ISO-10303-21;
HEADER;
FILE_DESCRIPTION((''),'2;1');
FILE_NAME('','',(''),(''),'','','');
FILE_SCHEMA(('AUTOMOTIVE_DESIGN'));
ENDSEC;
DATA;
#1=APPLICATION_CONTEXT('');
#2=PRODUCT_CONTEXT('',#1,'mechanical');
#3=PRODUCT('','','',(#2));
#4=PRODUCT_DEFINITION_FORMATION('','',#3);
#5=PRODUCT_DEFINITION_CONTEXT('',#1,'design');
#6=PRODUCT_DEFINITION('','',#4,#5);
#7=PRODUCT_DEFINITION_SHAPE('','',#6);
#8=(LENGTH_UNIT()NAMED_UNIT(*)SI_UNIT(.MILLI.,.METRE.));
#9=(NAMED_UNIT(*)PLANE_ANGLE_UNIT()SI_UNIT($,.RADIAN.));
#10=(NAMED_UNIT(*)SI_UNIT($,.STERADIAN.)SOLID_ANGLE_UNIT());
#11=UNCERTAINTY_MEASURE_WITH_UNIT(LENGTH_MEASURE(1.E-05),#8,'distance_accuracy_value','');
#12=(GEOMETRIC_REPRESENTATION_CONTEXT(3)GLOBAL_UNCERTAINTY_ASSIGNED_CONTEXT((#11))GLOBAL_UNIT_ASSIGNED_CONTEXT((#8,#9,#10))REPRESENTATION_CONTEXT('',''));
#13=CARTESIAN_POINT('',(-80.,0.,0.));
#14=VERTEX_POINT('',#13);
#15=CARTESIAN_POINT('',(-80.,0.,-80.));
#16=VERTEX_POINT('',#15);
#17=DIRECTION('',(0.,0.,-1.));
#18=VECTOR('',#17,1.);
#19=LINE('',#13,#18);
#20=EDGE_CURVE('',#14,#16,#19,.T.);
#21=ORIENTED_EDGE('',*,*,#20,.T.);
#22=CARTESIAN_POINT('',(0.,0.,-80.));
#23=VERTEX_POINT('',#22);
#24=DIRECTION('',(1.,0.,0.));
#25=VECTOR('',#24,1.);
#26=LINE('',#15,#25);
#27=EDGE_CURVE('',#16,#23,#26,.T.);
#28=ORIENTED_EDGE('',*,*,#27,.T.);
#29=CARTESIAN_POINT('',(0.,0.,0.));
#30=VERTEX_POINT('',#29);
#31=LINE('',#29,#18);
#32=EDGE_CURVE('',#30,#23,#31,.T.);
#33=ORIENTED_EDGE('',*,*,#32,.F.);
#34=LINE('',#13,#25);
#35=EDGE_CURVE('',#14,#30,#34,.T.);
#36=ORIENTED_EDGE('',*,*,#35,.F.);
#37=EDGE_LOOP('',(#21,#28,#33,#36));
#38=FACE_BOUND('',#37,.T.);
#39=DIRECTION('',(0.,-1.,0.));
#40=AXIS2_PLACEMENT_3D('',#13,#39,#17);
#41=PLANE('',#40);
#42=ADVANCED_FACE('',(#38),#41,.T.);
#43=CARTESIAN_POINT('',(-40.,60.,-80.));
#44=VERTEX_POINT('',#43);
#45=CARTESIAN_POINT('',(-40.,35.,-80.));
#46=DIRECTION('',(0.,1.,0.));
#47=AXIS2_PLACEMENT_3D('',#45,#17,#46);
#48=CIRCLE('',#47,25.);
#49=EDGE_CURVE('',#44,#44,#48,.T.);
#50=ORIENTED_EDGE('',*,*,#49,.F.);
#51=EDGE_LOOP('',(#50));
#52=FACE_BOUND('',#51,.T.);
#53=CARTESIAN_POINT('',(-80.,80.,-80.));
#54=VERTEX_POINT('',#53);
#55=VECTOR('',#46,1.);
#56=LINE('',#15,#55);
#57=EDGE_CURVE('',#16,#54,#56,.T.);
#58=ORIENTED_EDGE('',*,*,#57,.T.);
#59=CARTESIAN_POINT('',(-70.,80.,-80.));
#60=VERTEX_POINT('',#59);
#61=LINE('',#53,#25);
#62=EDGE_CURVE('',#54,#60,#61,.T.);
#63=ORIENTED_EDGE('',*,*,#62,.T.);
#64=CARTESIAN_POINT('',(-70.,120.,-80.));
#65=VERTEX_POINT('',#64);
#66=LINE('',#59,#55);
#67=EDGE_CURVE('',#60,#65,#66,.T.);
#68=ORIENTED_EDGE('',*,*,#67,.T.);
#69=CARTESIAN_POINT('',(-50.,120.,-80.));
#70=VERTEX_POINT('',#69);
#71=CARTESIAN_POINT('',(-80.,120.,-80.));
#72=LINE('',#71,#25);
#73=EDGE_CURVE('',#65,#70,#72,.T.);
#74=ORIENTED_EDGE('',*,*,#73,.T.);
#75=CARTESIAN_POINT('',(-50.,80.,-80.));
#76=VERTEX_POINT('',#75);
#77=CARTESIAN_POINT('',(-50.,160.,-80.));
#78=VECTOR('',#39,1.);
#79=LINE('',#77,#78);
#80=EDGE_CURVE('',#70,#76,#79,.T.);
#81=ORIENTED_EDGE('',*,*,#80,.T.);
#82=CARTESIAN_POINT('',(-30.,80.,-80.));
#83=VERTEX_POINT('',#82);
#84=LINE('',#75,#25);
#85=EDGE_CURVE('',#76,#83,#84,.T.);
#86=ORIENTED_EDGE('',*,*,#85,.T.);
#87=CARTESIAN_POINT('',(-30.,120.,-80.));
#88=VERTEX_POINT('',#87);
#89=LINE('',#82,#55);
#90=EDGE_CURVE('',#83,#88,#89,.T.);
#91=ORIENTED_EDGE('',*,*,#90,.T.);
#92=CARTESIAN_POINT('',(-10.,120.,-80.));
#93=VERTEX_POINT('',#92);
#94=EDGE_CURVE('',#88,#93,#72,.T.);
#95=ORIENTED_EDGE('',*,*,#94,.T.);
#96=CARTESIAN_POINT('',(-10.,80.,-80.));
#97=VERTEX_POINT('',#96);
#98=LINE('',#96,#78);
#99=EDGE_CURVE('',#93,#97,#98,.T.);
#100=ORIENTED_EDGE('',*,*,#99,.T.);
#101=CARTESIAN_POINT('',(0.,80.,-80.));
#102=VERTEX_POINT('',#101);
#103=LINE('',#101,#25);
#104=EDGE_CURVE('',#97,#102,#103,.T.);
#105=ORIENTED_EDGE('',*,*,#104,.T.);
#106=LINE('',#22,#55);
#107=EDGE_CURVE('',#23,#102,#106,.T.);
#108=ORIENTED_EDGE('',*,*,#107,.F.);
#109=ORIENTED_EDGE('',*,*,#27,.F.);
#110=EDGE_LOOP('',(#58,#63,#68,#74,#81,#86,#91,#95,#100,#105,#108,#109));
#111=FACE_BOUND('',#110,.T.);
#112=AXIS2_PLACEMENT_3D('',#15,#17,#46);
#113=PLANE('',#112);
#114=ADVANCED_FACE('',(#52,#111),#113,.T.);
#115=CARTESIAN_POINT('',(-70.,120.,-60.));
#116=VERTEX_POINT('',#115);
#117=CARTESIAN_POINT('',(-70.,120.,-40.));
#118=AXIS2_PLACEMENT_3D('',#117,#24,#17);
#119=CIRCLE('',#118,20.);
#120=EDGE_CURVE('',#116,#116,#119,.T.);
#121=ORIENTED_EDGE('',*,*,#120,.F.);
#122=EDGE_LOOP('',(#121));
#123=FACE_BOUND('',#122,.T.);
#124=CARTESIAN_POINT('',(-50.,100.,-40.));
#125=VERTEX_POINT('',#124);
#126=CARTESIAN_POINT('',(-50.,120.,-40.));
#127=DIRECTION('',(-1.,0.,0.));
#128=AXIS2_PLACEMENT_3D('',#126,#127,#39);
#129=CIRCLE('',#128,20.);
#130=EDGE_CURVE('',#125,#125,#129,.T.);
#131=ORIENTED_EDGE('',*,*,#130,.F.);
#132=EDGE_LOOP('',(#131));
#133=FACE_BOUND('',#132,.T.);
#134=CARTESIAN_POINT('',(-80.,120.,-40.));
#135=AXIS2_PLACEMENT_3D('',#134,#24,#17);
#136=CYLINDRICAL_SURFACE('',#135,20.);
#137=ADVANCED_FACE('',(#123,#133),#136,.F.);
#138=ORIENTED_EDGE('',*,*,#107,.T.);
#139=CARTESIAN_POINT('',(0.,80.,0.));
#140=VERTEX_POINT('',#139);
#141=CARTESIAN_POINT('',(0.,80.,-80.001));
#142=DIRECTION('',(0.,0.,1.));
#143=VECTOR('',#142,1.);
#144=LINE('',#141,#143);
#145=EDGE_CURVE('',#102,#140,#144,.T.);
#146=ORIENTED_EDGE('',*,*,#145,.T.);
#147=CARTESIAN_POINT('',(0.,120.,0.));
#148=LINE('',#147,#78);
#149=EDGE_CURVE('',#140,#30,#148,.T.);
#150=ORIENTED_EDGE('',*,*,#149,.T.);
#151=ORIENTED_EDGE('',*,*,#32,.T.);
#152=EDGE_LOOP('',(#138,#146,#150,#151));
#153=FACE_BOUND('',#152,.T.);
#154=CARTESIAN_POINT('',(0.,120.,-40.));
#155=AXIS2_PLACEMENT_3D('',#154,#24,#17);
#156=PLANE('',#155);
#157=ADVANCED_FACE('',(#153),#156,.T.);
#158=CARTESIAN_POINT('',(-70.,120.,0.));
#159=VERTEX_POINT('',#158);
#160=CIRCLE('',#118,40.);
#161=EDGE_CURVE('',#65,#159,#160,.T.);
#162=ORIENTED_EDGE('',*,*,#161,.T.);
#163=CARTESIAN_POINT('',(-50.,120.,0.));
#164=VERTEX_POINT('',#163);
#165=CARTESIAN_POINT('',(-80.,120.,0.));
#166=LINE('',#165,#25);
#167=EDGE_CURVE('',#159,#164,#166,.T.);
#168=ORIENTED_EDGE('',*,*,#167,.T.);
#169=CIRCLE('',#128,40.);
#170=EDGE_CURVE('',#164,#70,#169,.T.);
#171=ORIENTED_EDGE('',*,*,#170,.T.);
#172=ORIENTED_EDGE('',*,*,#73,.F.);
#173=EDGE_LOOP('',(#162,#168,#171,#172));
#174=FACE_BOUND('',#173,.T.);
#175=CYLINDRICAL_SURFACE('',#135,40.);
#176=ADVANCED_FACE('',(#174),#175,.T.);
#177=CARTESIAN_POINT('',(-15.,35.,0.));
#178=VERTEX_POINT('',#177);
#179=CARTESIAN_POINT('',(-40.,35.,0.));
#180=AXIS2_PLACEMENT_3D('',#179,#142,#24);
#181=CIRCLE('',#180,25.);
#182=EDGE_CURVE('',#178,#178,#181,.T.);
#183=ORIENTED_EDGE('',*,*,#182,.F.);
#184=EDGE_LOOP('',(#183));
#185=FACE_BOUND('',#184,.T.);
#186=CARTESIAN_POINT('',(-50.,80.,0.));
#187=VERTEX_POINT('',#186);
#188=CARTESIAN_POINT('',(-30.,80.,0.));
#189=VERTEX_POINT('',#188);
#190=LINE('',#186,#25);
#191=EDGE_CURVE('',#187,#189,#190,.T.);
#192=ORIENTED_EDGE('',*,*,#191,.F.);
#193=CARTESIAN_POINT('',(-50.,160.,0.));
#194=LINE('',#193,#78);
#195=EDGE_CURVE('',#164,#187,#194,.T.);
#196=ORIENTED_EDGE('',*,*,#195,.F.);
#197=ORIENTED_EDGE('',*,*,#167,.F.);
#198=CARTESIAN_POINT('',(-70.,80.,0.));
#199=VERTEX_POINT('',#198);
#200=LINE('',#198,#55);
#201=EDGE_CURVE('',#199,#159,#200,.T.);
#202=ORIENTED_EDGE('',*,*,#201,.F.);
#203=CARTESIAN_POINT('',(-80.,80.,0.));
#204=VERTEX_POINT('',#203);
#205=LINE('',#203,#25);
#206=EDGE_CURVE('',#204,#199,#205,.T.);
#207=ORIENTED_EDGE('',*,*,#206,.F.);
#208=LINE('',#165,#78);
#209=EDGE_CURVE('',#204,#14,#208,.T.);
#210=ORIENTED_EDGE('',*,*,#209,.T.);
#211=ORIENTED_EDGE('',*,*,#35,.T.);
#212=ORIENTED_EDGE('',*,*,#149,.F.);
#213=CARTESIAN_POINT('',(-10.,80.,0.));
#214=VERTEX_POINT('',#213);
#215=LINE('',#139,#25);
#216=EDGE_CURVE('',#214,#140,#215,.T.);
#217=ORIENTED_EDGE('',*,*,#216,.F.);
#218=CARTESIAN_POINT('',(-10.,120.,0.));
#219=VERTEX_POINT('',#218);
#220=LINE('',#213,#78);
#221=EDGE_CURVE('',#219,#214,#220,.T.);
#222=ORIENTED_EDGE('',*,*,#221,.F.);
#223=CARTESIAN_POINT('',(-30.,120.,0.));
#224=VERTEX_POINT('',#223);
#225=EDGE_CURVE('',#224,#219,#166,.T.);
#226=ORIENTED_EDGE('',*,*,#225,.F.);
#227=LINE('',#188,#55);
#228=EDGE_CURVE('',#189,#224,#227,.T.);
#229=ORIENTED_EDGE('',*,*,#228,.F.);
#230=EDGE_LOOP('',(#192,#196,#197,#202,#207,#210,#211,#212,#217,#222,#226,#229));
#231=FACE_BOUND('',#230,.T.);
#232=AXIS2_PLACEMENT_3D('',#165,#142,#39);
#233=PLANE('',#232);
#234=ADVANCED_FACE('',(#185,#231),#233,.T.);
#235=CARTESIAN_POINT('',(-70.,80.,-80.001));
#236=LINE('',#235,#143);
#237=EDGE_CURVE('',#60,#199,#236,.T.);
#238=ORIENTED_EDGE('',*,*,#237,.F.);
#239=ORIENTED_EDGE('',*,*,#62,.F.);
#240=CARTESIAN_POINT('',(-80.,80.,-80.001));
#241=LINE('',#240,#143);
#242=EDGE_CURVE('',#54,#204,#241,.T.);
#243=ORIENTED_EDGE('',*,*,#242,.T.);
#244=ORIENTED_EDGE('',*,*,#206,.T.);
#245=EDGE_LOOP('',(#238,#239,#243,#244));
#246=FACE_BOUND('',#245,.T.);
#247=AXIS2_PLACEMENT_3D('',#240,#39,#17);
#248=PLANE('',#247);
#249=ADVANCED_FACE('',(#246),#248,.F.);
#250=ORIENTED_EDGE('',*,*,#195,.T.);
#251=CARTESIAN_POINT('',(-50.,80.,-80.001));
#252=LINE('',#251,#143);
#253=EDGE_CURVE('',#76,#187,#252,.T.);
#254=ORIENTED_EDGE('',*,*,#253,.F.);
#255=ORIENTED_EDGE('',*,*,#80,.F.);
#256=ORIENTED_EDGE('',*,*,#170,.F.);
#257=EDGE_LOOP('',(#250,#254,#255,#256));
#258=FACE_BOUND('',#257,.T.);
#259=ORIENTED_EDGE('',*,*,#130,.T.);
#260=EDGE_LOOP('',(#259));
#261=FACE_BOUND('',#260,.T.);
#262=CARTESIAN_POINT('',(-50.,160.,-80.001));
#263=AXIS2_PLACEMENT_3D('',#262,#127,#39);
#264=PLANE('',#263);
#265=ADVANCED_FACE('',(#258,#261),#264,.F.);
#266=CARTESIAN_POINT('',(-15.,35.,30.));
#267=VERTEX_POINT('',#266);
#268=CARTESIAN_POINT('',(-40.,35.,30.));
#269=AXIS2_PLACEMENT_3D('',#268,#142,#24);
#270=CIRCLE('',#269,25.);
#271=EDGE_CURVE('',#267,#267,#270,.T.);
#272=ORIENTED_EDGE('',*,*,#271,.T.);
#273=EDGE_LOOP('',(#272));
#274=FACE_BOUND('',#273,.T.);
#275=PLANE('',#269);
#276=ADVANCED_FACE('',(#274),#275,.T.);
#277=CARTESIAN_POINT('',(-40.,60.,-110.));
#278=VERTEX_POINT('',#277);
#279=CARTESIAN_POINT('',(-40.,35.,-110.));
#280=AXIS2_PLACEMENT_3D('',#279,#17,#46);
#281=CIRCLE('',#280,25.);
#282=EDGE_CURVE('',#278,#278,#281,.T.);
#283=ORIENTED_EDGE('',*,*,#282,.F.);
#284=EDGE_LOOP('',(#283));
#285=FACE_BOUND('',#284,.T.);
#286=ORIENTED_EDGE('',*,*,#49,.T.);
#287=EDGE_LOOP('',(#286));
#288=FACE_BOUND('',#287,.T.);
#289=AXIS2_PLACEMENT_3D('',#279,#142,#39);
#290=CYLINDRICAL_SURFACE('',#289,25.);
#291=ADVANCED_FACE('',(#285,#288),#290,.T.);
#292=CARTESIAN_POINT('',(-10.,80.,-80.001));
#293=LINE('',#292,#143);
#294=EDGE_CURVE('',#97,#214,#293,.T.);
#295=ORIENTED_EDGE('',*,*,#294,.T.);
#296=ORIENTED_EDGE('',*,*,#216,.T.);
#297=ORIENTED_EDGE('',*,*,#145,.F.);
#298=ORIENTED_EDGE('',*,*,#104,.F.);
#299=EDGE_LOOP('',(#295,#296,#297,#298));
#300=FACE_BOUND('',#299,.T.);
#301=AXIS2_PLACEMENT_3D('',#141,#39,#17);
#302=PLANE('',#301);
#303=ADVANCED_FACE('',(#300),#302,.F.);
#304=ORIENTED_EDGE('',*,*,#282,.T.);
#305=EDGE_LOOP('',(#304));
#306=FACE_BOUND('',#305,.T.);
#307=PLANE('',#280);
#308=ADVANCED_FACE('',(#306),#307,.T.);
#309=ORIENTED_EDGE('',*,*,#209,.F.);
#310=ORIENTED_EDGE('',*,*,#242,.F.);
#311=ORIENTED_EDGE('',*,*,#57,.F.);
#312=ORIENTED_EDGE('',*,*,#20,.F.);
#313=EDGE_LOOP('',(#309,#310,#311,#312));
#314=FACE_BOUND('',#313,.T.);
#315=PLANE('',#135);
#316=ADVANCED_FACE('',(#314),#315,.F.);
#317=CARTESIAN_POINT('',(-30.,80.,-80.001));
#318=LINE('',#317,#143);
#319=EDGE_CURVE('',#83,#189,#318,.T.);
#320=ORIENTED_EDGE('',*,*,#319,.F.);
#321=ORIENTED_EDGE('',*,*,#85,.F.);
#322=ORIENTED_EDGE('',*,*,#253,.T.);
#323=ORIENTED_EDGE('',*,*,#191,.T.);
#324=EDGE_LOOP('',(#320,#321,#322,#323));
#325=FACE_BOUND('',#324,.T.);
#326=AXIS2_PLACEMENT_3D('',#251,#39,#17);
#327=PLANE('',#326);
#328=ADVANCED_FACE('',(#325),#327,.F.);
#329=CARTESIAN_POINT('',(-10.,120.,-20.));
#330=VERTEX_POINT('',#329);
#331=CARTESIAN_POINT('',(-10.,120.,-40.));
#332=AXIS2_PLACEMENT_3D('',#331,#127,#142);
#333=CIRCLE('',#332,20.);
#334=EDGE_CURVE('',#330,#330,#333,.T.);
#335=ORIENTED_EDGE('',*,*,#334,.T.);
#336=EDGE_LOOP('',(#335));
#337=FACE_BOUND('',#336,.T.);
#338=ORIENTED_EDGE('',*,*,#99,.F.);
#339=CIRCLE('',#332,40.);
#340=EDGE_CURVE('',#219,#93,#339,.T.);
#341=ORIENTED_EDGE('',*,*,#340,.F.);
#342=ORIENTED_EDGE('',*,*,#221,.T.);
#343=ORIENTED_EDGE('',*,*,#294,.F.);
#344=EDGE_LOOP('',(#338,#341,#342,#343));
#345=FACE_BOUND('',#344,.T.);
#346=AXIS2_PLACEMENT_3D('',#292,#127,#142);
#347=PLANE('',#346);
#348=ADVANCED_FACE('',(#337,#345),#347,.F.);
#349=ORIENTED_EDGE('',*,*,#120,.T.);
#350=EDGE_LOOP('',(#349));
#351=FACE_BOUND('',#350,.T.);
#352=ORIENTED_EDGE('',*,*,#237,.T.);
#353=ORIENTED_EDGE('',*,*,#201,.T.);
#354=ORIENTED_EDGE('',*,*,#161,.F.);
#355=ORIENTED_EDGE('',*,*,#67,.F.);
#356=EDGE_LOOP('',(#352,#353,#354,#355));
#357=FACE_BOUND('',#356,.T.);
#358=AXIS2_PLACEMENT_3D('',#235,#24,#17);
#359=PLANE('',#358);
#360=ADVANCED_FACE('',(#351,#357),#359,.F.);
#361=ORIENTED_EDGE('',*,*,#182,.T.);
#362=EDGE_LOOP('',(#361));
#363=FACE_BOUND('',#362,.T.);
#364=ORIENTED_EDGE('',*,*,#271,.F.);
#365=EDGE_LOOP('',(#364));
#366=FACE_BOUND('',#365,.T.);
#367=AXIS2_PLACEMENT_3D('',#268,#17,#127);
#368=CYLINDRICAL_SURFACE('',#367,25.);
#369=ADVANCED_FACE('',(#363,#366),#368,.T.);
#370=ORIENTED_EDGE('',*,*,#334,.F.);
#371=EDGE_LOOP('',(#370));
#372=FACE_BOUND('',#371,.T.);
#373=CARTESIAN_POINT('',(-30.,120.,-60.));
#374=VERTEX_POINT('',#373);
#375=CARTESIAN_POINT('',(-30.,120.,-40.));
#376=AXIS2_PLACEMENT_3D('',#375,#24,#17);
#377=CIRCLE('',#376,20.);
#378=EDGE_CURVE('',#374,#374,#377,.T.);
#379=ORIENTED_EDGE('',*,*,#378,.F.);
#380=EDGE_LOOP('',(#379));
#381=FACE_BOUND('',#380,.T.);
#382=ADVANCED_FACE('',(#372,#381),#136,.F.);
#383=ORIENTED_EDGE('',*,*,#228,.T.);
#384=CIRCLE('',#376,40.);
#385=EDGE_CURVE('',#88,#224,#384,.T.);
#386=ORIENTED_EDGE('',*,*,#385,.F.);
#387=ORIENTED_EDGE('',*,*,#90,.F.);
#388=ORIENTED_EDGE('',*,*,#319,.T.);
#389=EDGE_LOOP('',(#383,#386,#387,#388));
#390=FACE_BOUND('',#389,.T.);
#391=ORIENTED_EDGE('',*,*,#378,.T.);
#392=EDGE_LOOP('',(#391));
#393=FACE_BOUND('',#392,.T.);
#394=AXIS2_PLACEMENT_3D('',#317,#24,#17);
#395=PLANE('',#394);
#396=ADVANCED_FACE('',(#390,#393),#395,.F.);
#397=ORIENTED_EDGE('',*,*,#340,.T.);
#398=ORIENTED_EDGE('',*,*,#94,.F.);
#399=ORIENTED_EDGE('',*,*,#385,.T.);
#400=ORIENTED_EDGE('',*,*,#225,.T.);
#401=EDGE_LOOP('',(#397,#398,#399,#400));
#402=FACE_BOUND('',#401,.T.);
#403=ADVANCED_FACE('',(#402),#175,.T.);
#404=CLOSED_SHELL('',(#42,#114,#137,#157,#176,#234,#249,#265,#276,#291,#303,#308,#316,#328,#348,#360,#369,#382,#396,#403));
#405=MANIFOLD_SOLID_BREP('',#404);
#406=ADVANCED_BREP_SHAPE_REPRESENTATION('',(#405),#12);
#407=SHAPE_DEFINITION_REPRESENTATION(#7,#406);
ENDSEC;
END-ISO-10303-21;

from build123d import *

# Parameters (mm, degrees)
CROQUIS2_R              = 20
SALIENTE_EXTRUIR1_DEPTH = 80
CORTAR_EXTRUIR1_REACH   = 82
CROQUIS3_W              = 10
CROQUIS3_H              = 80
CROQUIS3_W_2            = 20
CROQUIS4_R              = 25
SALIENTE_EXTRUIR2_DEPTH = 30
CROQUIS5_R              = 25
SALIENTE_EXTRUIR3_DEPTH = 30


with BuildPart() as part:
    # Croquis2 → Saliente-Extruir1 (new body)
    with BuildSketch(Plane(origin=(0, 0, 0), x_dir=(0, 0, -1), z_dir=(1, 0, 0))):
        with BuildLine():
            Line((0, 0), (80, 0))
            Line((80, 0), (80, 120))
            ThreePointArc((80, 120), (40, 160), (0, 120))
            Line((0, 120), (0, 0))
        make_face()
        with Locations((40, 120)):
            Circle(CROQUIS2_R, mode=Mode.SUBTRACT)
    extrude(amount=-SALIENTE_EXTRUIR1_DEPTH)

    # Croquis3 → Cortar-Extruir1 (cut, up to next)
    with BuildSketch(Plane.XY, mode=Mode.PRIVATE) as cortar_extruir1_sk1:
        with Locations((-5, 120)):
            Rectangle(CROQUIS3_W, CROQUIS3_H)
    cortar_extruir1_tool1 = extrude(cortar_extruir1_sk1.sketch, amount=-CORTAR_EXTRUIR1_REACH, mode=Mode.PRIVATE) & part.part
    add(cortar_extruir1_tool1.solids().sort_by_distance((-5, 120, 0))[0], mode=Mode.SUBTRACT)
    # Croquis3 → Cortar-Extruir1 (cut, up to next)
    with BuildSketch(Plane.XY, mode=Mode.PRIVATE) as cortar_extruir1_sk2:
        with Locations((-75, 120)):
            Rectangle(CROQUIS3_W, CROQUIS3_H)
    cortar_extruir1_tool2 = extrude(cortar_extruir1_sk2.sketch, amount=-CORTAR_EXTRUIR1_REACH, mode=Mode.PRIVATE) & part.part
    add(cortar_extruir1_tool2.solids().sort_by_distance((-75, 120, 0))[0], mode=Mode.SUBTRACT)
    # Croquis3 → Cortar-Extruir1 (cut, up to next)
    with BuildSketch(Plane.XY, mode=Mode.PRIVATE) as cortar_extruir1_sk3:
        with Locations((-40, 120)):
            Rectangle(CROQUIS3_W_2, CROQUIS3_H)
    cortar_extruir1_tool3 = extrude(cortar_extruir1_sk3.sketch, amount=-CORTAR_EXTRUIR1_REACH, mode=Mode.PRIVATE) & part.part
    add(cortar_extruir1_tool3.solids().sort_by_distance((-40, 120, 0))[0], mode=Mode.SUBTRACT)

    # Croquis4 → Saliente-Extruir2 (add)
    with BuildSketch(Plane.XY):
        with Locations((-40, 35)):
            Circle(CROQUIS4_R)
    extrude(amount=SALIENTE_EXTRUIR2_DEPTH)

    # Croquis5 → Saliente-Extruir3 (add)
    with BuildSketch(Plane(origin=(0, 0, -80), x_dir=(-1, 0, 0), z_dir=(0, 0, -1))):
        with Locations((40, 35)):
            Circle(CROQUIS5_R)
    extrude(amount=SALIENTE_EXTRUIR3_DEPTH)


solid = part.part
